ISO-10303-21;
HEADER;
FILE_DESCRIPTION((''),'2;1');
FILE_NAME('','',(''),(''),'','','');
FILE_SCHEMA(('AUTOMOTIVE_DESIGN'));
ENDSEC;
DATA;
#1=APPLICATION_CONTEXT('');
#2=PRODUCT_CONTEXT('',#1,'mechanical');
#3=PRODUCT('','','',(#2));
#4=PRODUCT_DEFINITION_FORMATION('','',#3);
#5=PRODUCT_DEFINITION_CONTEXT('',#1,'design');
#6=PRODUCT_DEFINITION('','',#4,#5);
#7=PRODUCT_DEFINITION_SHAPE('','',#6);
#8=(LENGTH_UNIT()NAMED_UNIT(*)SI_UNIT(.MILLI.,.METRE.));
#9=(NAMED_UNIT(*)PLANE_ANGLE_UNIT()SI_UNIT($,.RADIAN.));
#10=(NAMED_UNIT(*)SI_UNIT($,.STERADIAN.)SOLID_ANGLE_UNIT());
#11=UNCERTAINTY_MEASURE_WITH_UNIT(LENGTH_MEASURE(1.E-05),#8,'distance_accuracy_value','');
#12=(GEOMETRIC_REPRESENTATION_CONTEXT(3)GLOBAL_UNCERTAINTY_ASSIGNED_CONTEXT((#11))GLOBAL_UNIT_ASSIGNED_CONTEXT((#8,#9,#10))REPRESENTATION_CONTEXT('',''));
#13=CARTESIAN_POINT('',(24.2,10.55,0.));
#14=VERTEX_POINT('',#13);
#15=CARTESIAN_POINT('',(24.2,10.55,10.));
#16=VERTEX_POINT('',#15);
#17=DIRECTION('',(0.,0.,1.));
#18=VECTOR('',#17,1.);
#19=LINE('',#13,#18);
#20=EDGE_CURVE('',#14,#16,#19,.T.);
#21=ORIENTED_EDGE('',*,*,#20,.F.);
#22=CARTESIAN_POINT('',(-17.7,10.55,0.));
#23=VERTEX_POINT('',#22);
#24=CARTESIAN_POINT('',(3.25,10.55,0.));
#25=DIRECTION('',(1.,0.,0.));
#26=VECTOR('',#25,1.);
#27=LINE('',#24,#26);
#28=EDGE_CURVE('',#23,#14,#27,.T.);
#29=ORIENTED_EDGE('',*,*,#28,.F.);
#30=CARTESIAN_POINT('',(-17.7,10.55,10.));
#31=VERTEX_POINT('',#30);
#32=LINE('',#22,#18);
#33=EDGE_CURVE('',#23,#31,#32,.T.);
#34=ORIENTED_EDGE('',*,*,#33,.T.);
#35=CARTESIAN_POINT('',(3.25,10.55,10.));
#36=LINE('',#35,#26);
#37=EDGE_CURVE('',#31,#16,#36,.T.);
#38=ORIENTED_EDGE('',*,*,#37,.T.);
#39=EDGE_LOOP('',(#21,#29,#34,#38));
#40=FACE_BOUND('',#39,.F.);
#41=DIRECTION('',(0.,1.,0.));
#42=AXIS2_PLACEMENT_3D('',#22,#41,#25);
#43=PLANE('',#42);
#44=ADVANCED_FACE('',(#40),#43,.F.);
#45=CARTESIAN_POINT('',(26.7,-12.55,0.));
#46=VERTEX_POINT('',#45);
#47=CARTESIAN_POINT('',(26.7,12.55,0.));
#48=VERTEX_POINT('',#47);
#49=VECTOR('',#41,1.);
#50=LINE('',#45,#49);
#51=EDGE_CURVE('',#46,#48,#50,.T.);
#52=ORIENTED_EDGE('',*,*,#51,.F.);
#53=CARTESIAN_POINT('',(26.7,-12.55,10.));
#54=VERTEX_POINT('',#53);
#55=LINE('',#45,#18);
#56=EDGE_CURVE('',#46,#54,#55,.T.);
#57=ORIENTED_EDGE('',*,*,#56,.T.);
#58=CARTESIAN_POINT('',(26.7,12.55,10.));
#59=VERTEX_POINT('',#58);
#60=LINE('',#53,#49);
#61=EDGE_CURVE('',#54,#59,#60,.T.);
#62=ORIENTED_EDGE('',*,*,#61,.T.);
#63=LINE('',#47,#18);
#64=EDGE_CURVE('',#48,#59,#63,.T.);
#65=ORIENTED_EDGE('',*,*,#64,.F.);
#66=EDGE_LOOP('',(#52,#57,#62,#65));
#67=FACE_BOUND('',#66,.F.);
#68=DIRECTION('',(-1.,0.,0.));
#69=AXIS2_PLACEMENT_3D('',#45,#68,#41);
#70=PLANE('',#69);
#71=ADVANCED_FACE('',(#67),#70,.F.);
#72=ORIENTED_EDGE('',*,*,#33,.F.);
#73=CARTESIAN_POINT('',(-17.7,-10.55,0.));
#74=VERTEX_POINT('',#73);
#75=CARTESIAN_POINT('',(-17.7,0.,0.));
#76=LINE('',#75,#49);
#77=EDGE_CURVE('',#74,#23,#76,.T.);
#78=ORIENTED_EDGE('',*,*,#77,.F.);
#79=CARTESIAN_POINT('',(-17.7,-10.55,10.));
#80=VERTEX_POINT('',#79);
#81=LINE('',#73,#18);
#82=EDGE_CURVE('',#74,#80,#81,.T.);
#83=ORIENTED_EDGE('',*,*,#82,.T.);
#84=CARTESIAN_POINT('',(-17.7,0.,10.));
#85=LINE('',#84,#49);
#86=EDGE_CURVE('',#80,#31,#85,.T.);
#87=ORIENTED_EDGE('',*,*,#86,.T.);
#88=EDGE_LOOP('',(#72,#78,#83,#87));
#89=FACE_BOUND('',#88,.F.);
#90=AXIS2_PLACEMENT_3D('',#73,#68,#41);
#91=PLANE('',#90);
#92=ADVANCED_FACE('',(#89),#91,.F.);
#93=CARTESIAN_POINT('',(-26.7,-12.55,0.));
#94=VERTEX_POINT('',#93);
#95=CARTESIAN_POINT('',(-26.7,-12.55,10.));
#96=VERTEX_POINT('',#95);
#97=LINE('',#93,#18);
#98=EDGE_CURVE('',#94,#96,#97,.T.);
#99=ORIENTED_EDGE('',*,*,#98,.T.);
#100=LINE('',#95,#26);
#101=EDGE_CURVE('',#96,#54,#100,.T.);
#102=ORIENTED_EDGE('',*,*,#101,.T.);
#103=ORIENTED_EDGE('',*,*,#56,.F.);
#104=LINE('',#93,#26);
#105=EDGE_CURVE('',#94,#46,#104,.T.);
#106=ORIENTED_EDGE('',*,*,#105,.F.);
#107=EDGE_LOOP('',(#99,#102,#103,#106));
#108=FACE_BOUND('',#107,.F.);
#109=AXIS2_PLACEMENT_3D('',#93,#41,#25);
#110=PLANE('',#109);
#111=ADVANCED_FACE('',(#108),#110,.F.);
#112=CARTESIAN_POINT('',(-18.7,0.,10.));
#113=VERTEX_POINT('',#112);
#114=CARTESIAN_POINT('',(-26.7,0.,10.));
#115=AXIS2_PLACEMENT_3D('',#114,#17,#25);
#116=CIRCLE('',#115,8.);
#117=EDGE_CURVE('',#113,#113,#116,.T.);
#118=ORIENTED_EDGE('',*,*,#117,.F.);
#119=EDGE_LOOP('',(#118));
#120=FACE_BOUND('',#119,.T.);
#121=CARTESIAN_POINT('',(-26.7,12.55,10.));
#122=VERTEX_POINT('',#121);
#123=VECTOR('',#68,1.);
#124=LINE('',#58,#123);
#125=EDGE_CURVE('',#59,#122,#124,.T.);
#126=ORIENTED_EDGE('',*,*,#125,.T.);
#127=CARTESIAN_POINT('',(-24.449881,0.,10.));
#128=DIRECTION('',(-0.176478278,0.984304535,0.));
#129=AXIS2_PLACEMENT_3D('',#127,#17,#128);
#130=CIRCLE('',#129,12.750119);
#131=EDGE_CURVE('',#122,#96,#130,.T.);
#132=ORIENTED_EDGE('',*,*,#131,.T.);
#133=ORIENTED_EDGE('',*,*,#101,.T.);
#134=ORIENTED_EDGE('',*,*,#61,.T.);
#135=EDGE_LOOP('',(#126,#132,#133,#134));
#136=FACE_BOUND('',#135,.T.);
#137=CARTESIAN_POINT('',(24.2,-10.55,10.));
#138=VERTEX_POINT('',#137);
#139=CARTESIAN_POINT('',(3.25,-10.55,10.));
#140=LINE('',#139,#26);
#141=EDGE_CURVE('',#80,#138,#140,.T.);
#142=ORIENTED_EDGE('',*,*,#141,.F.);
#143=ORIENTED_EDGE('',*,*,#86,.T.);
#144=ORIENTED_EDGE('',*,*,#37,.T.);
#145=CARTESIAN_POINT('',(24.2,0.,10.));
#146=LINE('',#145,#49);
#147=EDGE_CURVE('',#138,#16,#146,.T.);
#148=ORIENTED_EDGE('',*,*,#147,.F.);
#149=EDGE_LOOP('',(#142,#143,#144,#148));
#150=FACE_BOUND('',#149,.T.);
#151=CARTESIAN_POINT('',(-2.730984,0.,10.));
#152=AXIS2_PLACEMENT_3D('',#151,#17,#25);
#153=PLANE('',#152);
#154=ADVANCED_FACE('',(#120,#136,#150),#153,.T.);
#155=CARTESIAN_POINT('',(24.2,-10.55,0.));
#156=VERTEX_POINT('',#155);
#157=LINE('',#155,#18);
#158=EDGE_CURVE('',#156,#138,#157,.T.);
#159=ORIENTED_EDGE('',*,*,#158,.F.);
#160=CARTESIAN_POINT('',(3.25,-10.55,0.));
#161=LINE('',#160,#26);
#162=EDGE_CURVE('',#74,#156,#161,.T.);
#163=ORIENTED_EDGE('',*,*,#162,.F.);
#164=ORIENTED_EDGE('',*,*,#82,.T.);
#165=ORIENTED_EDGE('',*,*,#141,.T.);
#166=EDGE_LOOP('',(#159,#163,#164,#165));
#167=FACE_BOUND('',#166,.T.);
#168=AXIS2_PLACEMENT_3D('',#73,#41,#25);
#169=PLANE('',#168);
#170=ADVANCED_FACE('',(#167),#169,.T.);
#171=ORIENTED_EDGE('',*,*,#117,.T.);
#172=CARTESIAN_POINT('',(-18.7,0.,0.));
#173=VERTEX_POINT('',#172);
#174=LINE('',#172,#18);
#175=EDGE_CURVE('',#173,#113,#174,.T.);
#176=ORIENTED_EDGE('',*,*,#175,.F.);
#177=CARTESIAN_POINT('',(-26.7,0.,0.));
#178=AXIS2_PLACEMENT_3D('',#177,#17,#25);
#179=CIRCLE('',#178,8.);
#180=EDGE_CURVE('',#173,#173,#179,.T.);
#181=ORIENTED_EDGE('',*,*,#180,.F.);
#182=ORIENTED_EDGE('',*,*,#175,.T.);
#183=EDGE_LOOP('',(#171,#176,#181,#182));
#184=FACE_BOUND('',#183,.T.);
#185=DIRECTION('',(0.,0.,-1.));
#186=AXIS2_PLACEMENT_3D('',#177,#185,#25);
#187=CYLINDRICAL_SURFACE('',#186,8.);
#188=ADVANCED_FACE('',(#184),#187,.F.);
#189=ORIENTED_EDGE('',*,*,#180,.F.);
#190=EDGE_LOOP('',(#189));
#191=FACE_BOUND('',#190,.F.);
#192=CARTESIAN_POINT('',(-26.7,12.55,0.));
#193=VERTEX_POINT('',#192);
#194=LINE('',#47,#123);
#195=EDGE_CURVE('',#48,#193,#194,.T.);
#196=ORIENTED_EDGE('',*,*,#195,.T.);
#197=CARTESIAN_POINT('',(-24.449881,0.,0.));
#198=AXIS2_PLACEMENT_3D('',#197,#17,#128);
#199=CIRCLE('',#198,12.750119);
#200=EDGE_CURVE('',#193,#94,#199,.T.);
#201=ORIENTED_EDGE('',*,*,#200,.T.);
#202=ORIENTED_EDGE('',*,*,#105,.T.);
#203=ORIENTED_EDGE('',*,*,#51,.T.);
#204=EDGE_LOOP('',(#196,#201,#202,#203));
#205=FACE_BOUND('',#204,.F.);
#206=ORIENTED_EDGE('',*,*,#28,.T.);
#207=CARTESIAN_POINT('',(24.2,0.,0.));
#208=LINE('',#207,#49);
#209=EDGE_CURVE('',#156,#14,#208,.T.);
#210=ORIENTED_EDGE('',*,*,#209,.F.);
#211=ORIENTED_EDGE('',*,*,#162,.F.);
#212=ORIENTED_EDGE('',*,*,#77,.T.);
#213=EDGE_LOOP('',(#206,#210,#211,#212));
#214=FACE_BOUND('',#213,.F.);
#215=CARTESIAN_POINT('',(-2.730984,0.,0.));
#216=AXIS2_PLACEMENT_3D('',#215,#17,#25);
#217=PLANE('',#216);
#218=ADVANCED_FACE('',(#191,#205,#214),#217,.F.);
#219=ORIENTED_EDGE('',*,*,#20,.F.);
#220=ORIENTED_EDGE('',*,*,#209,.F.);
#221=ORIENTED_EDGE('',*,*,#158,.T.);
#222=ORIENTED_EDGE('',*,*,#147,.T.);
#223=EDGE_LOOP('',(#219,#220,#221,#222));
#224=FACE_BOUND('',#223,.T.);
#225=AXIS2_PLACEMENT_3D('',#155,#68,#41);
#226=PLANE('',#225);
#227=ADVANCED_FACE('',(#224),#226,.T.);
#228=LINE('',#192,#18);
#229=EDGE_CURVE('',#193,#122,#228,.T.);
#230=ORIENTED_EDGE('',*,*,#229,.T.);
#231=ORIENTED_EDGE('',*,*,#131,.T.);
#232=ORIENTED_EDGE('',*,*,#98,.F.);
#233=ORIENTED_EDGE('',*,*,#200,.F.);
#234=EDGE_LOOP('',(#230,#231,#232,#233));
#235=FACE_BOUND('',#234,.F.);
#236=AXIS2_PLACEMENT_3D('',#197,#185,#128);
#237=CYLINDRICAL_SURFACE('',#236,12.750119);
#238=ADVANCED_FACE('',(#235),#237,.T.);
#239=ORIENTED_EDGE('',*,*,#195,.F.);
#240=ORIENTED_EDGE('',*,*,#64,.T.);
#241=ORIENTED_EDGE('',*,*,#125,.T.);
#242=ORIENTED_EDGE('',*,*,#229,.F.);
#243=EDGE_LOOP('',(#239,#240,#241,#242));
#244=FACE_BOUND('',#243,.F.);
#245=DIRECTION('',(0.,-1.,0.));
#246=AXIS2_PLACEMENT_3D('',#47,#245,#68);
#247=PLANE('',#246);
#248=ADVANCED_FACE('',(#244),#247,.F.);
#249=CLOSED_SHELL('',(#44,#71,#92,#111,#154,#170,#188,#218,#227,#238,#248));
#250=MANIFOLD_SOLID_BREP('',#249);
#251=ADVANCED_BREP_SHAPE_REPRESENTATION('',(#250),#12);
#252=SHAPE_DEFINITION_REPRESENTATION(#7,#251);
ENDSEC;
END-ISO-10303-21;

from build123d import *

# Parameters (mm, degrees)
F0_R     = 8
F0_W     = 41.9
F0_H     = 21.1
F1_DEPTH = 10


with BuildPart() as f1:
    # F0 (on Top) → F1 (new body)
    with BuildSketch(Plane.XY):
        with BuildLine():
            Line((26.7, -12.55), (26.7, 12.55))
            Line((26.7, 12.55), (-26.7, 12.55))
            ThreePointArc((-26.7, 12.55), (-37.2, 0), (-26.7, -12.55))
            Line((-26.7, -12.55), (26.7, -12.55))
        make_face()
        with Locations((-26.7, 0)):
            Circle(F0_R, mode=Mode.SUBTRACT)
        with Locations((3.25, 0)):
            Rectangle(F0_W, F0_H, mode=Mode.SUBTRACT)
    extrude(amount=F1_DEPTH)


solid = f1.part
